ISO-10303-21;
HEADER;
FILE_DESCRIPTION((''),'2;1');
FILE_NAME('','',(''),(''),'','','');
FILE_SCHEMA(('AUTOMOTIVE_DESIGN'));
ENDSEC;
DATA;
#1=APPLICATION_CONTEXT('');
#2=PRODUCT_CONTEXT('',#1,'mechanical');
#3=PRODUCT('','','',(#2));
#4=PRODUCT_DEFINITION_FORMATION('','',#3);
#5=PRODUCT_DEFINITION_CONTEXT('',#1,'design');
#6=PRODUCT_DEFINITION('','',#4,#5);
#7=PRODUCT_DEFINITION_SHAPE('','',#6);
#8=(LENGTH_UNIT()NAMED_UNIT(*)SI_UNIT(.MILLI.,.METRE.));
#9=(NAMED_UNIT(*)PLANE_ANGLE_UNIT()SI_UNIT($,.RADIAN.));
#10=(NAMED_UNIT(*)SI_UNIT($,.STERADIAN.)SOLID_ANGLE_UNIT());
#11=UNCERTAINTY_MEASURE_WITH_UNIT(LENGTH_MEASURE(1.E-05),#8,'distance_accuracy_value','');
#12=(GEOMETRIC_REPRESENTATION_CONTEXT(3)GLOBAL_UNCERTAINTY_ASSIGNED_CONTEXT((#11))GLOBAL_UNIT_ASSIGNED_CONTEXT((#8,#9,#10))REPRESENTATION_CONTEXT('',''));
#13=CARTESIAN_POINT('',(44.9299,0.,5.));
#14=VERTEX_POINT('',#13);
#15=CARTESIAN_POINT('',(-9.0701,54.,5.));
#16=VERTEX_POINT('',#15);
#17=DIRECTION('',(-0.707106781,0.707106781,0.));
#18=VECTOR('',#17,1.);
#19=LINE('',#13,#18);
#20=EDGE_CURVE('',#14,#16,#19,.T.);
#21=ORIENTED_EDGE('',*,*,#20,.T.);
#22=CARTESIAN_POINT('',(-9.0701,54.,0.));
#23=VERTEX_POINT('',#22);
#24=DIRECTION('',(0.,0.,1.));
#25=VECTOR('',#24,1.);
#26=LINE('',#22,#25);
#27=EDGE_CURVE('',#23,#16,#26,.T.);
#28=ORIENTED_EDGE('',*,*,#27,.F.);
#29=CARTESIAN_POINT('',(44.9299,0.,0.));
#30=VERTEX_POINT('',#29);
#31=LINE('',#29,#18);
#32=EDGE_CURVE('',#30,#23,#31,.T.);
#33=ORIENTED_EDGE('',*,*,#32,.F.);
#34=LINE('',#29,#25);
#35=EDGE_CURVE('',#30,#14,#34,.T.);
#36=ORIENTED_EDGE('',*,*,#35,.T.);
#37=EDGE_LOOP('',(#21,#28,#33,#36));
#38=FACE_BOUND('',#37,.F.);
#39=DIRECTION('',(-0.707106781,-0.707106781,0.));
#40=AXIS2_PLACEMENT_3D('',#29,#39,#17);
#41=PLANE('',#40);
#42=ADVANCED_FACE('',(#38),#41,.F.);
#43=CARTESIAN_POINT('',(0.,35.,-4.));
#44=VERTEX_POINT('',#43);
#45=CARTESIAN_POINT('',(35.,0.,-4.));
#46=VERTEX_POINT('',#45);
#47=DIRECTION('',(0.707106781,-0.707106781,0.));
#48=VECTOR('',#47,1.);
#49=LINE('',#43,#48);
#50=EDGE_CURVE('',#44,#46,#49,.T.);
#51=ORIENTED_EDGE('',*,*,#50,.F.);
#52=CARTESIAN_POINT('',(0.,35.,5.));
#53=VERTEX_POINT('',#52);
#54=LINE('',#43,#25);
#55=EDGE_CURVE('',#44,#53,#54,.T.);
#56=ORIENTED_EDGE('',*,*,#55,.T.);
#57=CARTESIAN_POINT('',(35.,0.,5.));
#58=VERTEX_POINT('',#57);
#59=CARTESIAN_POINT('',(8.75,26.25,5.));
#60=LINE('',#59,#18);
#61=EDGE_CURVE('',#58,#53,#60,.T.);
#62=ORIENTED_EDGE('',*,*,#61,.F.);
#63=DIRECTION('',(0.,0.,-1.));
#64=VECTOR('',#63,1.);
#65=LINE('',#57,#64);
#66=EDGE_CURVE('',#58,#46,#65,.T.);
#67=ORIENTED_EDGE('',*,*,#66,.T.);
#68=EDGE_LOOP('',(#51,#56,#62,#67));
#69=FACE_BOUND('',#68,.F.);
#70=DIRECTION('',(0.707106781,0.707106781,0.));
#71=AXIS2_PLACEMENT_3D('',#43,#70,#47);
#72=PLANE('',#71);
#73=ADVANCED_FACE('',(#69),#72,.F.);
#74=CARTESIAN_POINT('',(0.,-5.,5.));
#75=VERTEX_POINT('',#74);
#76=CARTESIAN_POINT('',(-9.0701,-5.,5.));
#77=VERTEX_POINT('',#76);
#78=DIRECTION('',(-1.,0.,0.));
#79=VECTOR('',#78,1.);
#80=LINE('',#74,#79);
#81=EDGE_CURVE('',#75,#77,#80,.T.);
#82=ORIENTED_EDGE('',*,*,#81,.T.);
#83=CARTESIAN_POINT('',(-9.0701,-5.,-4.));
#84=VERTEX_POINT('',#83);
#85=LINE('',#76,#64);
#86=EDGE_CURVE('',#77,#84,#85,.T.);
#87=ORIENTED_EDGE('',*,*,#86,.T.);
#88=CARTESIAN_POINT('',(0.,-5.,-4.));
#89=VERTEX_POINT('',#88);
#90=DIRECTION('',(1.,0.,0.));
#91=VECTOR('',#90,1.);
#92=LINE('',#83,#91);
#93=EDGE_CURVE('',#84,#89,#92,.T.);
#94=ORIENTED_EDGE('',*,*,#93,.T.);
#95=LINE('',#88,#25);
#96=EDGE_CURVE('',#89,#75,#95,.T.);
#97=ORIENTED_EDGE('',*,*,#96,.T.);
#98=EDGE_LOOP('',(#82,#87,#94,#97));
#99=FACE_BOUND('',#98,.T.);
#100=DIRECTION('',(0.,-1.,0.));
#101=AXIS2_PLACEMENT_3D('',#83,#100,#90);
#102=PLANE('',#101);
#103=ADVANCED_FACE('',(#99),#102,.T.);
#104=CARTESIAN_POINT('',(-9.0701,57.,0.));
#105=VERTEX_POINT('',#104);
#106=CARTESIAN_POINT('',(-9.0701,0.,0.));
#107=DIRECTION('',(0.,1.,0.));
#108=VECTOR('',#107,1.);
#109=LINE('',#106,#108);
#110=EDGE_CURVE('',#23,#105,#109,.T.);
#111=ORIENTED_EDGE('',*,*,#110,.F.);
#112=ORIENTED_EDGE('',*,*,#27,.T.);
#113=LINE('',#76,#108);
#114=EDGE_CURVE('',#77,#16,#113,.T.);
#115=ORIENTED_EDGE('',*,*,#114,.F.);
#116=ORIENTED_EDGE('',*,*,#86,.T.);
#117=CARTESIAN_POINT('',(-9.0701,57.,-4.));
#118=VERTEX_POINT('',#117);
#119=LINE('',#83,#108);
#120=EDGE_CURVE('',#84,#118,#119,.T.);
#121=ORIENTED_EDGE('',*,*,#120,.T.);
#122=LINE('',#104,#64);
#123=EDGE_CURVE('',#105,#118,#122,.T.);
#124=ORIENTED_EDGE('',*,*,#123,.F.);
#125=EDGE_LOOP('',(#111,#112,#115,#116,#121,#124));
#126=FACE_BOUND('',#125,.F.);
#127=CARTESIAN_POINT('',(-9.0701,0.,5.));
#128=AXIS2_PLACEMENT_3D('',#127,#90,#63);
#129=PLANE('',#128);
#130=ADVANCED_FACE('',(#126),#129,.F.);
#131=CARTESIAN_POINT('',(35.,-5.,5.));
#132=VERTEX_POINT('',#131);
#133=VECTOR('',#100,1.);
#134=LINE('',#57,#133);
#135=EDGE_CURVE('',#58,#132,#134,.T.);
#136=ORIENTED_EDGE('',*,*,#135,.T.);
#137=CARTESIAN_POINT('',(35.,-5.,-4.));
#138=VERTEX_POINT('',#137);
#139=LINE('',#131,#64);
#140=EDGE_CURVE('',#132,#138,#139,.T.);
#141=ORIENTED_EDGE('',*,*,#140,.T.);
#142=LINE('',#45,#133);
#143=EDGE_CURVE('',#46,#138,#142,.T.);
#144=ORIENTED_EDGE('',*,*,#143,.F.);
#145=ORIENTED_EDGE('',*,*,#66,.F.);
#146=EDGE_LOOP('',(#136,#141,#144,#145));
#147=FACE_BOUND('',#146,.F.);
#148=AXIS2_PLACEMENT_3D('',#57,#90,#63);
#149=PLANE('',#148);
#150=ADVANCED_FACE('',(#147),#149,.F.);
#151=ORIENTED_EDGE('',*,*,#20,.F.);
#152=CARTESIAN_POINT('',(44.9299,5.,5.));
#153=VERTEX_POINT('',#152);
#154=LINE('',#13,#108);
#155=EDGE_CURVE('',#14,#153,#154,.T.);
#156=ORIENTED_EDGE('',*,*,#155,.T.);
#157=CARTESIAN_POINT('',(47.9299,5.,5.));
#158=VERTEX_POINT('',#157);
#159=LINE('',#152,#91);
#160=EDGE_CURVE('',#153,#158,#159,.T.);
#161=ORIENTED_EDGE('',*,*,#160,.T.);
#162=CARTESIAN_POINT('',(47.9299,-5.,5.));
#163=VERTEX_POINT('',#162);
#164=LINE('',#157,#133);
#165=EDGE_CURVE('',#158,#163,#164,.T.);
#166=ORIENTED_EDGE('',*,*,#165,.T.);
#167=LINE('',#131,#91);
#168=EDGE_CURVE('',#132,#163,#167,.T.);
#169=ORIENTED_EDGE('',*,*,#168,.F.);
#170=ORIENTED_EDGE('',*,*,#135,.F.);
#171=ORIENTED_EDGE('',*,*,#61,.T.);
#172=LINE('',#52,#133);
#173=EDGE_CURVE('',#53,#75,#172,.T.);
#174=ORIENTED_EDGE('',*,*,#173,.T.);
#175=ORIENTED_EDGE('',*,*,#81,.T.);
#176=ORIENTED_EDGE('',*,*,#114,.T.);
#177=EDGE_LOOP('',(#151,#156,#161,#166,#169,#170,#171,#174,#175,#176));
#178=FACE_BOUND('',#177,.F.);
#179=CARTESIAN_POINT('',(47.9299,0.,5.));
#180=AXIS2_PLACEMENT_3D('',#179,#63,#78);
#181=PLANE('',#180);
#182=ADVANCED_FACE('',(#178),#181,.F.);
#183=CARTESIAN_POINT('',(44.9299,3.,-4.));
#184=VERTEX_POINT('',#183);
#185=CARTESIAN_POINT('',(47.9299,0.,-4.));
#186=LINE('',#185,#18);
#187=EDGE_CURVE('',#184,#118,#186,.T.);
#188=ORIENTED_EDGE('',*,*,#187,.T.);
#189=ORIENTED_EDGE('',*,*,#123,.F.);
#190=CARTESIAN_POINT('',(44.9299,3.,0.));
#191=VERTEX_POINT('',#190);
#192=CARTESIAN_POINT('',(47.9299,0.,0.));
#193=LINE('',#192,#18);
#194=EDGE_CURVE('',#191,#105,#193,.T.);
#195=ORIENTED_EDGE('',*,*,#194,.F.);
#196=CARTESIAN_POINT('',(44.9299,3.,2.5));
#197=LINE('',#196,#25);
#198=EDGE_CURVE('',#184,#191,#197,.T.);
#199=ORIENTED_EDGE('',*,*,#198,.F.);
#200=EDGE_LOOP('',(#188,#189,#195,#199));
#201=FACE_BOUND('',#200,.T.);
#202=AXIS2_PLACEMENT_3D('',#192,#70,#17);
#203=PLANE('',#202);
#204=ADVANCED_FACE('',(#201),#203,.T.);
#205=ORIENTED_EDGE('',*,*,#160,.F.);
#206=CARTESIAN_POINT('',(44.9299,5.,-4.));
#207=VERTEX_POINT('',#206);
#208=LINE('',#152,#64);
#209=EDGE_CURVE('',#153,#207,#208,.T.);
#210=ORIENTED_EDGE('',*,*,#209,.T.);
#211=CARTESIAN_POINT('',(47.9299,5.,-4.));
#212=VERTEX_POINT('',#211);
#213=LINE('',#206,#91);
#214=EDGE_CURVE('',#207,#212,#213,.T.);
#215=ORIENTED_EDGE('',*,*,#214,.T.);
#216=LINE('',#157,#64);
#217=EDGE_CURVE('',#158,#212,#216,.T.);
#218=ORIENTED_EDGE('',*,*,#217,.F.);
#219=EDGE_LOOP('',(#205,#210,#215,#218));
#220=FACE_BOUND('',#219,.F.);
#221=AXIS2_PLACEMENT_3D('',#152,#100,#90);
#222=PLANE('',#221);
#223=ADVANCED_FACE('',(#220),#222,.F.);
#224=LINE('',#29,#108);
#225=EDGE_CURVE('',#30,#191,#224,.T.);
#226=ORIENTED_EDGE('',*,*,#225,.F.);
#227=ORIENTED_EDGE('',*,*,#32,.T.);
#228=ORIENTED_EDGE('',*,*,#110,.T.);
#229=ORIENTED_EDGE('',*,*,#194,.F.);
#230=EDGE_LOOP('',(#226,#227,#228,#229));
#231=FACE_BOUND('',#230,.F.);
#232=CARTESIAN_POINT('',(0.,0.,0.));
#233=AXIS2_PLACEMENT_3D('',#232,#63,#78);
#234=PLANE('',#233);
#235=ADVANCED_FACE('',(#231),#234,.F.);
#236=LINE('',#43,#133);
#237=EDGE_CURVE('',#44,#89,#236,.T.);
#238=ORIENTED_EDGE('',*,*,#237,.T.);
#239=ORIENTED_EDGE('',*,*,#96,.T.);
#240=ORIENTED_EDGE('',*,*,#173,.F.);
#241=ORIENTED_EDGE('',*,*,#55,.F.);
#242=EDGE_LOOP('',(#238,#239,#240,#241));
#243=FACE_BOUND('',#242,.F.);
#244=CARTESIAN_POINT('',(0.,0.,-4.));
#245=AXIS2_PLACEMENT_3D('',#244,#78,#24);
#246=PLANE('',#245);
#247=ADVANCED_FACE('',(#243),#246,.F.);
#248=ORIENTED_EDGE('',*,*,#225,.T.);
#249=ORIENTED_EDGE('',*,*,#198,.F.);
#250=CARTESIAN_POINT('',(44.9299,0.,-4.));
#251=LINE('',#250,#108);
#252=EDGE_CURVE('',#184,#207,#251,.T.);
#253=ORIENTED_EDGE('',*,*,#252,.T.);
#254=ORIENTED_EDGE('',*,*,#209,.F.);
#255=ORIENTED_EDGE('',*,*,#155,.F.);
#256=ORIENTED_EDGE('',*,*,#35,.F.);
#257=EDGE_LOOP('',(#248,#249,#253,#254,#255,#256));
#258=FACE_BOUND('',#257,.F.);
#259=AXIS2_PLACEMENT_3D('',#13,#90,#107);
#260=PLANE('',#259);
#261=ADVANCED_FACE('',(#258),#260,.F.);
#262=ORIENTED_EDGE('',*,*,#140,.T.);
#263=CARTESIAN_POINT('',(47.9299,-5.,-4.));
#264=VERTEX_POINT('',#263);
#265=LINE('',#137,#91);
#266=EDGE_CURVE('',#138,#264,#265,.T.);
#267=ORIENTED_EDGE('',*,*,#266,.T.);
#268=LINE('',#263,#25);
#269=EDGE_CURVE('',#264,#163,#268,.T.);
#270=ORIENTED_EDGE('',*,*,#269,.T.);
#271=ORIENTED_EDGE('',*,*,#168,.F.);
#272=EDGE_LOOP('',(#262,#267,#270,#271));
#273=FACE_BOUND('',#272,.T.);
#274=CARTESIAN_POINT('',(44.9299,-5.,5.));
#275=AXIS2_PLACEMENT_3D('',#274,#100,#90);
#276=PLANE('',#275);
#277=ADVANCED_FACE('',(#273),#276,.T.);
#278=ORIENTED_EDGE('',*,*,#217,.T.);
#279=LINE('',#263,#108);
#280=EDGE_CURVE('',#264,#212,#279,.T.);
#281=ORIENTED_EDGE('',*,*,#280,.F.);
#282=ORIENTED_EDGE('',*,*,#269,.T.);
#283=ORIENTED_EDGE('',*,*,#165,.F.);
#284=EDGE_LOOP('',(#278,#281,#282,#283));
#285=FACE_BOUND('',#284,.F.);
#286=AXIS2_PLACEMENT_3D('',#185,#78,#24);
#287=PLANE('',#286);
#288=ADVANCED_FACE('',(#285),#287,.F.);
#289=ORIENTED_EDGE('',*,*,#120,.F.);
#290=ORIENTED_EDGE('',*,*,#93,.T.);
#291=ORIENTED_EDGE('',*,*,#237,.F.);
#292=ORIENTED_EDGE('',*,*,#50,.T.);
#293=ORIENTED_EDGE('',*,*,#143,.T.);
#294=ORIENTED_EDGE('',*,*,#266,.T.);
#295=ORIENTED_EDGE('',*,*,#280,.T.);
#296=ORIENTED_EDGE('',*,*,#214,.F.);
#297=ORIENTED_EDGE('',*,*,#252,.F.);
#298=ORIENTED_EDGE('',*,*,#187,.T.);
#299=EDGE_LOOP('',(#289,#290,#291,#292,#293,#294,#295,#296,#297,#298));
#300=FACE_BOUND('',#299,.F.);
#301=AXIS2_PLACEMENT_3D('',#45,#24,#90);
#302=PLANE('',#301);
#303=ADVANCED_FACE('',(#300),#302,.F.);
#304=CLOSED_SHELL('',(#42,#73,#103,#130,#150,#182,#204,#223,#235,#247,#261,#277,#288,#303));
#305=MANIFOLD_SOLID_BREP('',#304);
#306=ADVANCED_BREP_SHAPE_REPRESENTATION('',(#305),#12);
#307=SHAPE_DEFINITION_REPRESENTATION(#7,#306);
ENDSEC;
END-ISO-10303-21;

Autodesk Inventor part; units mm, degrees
ref_plane "YZ Plane" through (0, 0, 0) normal (1, 0, 0) x (0, 1, 0)
ref_plane "XZ Plane" through (0, 0, 0) normal (0, 1, 0) x (-1, 0, 0)
sketch "Boceto1" plane through (0, 0, 0) normal (0, 0, 1) x (1, 0, 0)
  line L0 (-9.0701, 0) -> (44.9299, 0)
  line L1 (44.9299, 0) -> (-9.0701, 54)
  line L2 (-9.0701, 0) -> (-9.0701, 54)
  point P0 (0, 0)
  dimension "d0" = 54
  dimension "d2" = 45
extrude "Extrusión1" add sketch "Boceto1" along normal blind 5
sketch "Boceto2" plane through (0, 0, 5) normal (0, 0, 1) x (1, 0, 0)
  line L0 (44.9299, 0) -> (-9.0701, 54) projected
  line L1 (44.9299, 5) -> (47.9299, 5)
  line L2 (47.9299, 5) -> (47.9299, 0)
  line L3 (47.9299, 0) -> (44.9299, 0)
  line L4 (44.9299, 0) -> (44.9299, 5)
  point P0 (0, 0)
  dimension "d9" = 3
  dimension "d10" = 5
extrude "Extrusión2" add sketch "Boceto2" against normal blind 9
sketch "Boceto4" plane through (0, 0, 0) normal (0, 0, -1) x (-1, 0, 0)
  line L0 (-48.0778, 0) -> (35.3608, 0) construction
  line L1 (-47.9299, 5) -> (-47.9299, 0) projected
  line L2 (-47.9299, 0) -> (9.0701, 57)
  line L3 (-47.9299, 0) -> (40.6563, 0) construction
  line L4 (9.0701, 0) -> (9.0701, 57)
  line L5 (9.0701, 0) -> (-47.9299, 0)
  point P0 (0, 0)
  dimension "d24" = 45
extrude "Extrusión3" add sketch "Boceto4" along normal blind 4
sketch "Boceto5" plane through (0, 0, -4) normal (0, 0, -1) x (-1, 0, 0)
  line L0 (0, 0) -> (0, 35)
  line L1 (0, 35) -> (-35, 0)
  line L2 (0, 35) -> (67.1316, 35) construction
  line L3 (0, 0) -> (-35, 0)
  line L4 (9.0701, 0) -> (-44.9299, 0) projected
  dimension "d19" = 35
  dimension "d20" = 135
extrude "Extrusión4" cut sketch "Boceto5" against normal blind 15
sketch "Boceto6" plane through (-9.0701, 0, -4) normal (0, -1, 0) x (1, 0, 0)
  line L0 (9.0701, 0) -> (9.0701, 9) projected
  line L1 (9.0701, 9) -> (0, 9)
  line L2 (0, 9) -> (0, 0)
  line L3 (0, 0) -> (9.0701, 0)
  line L4 (9.0701, 0) -> (9.0701, 9)
  point P0 (9.0701, 4)
extrude "Extrusión5" add sketch "Boceto6" along normal blind 5
sketch "Boceto7" plane through (44.9299, 0, 5) normal (0, -1, 0) x (1, 0, 0)
  line L0 (-9.9299, -9) -> (-44.9299, -9) projected
  line L1 (3, 0) -> (0, 0) projected
  line L2 (-9.9299, -9) -> (3, -9)
  line L3 (3, -9) -> (3, 0)
  line L4 (3, 0) -> (-9.9299, 0)
  line L5 (-9.9299, 0) -> (-9.9299, -9)
  point P0 (-44.9299, -5)
extrude "Extrusión6" add sketch "Boceto7" along normal blind 5
ref_plane "Plano de trabajo1" through (0, 0, 16) normal (0, 0, 1) x (1, 0, 0)
properties part number "BaseBeamSplitter-D" material "Plástico ABS"
